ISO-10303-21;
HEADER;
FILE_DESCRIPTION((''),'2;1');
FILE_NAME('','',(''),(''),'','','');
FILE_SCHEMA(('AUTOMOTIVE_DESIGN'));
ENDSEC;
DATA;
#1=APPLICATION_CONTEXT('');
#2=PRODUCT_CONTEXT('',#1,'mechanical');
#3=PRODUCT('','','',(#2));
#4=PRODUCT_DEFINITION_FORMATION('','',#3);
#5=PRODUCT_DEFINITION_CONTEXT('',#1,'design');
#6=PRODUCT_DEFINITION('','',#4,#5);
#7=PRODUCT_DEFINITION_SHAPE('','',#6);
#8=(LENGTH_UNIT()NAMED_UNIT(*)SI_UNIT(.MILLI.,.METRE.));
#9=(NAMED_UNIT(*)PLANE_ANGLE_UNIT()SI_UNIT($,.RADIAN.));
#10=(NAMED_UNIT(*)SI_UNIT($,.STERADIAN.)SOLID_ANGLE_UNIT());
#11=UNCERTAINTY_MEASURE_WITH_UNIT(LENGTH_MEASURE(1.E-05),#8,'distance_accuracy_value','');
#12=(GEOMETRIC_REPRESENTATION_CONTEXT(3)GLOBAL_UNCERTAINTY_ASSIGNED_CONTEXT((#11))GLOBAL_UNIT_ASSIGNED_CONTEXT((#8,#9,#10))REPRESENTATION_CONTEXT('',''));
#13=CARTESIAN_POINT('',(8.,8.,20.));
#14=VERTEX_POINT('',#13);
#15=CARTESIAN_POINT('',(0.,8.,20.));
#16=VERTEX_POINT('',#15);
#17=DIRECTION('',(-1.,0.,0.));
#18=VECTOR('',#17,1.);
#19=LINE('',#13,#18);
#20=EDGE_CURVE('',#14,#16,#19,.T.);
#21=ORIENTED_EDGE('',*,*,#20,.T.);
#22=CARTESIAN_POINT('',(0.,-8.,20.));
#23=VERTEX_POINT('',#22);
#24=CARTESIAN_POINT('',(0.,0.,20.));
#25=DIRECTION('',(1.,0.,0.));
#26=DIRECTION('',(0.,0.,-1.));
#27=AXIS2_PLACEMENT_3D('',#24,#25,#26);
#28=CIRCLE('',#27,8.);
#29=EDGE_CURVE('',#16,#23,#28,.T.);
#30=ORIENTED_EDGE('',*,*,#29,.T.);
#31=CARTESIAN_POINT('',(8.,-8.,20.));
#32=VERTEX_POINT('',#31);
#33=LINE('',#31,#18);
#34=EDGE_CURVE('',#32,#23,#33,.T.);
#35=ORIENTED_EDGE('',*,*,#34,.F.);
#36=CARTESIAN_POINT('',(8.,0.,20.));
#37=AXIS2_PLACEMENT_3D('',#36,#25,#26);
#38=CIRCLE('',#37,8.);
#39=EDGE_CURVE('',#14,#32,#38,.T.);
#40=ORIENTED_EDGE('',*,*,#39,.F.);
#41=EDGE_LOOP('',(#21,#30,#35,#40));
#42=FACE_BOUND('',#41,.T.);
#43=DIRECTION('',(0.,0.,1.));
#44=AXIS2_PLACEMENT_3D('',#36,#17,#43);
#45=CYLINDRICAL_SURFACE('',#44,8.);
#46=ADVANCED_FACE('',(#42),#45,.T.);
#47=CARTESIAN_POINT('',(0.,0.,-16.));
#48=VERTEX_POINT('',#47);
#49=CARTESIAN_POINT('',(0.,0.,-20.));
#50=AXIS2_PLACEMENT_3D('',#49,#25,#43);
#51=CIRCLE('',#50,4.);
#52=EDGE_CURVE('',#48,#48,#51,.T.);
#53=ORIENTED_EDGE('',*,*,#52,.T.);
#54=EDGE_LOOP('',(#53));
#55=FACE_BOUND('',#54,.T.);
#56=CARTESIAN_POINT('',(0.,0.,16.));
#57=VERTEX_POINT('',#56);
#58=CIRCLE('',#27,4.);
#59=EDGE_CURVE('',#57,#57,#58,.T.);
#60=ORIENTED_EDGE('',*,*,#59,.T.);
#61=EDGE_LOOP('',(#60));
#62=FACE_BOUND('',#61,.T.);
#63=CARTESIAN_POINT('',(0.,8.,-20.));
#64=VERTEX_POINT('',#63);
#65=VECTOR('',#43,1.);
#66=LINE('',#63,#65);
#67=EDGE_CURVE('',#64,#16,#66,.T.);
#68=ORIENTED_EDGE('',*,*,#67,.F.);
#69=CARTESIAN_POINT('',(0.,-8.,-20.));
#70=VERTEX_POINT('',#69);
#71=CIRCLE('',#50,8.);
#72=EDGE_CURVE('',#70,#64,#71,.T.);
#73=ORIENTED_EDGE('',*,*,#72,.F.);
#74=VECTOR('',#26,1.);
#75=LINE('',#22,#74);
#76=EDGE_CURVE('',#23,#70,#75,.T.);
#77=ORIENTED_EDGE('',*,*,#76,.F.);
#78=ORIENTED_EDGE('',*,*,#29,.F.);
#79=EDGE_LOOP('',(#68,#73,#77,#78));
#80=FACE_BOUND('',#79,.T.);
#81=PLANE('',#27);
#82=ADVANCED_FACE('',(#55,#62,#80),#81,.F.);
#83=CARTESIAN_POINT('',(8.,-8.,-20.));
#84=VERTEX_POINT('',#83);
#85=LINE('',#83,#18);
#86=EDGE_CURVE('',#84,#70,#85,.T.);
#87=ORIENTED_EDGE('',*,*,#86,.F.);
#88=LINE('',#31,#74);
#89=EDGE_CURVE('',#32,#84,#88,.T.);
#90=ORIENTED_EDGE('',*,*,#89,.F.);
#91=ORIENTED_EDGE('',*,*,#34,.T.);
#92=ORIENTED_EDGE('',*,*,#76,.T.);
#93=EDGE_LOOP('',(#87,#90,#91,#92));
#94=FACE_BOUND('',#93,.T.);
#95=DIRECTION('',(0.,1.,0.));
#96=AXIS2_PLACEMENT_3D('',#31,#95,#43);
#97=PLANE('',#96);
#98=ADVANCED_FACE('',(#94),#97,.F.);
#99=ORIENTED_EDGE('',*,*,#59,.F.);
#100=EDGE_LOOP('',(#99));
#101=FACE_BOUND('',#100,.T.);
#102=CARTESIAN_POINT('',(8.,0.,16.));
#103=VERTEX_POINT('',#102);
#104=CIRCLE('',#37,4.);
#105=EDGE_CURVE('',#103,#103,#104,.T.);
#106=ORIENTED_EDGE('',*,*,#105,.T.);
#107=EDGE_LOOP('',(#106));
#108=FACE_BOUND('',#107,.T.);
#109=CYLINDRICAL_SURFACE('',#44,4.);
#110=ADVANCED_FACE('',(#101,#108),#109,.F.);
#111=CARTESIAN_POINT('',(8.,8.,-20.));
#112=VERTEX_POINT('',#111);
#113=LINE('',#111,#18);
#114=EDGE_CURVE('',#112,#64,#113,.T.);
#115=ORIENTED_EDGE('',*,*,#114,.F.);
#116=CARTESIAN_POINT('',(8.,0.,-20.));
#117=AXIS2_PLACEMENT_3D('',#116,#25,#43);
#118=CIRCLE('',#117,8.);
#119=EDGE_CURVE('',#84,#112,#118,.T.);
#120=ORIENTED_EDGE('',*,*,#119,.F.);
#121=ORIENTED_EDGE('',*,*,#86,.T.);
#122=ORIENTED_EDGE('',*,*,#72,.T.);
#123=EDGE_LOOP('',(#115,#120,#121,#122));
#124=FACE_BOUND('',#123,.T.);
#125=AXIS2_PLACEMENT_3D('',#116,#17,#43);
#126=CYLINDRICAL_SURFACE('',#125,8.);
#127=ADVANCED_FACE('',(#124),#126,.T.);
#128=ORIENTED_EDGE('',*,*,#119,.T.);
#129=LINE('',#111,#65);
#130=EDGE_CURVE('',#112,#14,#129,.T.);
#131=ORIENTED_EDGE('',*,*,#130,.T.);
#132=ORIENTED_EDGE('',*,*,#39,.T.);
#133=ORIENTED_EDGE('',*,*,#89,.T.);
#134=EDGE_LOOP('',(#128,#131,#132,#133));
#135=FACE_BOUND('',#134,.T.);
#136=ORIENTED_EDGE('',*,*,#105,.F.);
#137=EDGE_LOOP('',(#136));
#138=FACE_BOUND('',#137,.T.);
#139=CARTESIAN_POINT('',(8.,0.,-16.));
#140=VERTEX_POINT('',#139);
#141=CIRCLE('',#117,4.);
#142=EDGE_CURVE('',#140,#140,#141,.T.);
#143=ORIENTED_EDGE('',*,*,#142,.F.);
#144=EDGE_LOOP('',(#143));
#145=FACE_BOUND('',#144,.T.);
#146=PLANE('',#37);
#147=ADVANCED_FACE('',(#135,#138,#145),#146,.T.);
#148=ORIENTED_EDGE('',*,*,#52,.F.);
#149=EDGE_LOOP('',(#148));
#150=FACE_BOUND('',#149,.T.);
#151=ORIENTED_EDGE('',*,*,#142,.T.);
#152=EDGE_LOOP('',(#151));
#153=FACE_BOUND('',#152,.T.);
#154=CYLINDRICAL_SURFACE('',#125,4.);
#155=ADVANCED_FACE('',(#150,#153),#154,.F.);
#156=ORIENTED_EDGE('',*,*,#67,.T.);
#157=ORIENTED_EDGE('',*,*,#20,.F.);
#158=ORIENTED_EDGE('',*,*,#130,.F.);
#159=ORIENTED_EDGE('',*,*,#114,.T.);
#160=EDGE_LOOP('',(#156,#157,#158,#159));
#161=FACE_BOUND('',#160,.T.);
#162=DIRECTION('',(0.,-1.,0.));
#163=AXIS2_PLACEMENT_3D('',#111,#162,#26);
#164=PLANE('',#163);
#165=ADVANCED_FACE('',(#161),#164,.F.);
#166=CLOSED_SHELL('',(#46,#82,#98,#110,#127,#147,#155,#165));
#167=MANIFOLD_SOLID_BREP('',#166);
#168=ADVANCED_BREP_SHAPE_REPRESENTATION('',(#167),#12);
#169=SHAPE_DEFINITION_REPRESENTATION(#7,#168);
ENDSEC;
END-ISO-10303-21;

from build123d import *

# Parameters (mm, degrees)
SKETCH_1_R      = 4
EXTRUDE_1_DEPTH = 8


with BuildPart() as part:
    # 草图1 → 凸台-拉伸1 (new body)
    with BuildSketch(Plane(origin=(0, 0, 0), x_dir=(0, 0, -1), z_dir=(1, 0, 0))):
        with BuildLine():
            Line((20, 8), (-20, 8))
            ThreePointArc((-20, 8), (-28, 0), (-20, -8))
            Line((-20, -8), (20, -8))
            ThreePointArc((20, -8), (28, 0), (20, 8))
        make_face()
        with Locations((-20, 0)):
            Circle(SKETCH_1_R, mode=Mode.SUBTRACT)
        with Locations((20, 0)):
            Circle(SKETCH_1_R, mode=Mode.SUBTRACT)
    extrude(amount=EXTRUDE_1_DEPTH)


solid = part.part
